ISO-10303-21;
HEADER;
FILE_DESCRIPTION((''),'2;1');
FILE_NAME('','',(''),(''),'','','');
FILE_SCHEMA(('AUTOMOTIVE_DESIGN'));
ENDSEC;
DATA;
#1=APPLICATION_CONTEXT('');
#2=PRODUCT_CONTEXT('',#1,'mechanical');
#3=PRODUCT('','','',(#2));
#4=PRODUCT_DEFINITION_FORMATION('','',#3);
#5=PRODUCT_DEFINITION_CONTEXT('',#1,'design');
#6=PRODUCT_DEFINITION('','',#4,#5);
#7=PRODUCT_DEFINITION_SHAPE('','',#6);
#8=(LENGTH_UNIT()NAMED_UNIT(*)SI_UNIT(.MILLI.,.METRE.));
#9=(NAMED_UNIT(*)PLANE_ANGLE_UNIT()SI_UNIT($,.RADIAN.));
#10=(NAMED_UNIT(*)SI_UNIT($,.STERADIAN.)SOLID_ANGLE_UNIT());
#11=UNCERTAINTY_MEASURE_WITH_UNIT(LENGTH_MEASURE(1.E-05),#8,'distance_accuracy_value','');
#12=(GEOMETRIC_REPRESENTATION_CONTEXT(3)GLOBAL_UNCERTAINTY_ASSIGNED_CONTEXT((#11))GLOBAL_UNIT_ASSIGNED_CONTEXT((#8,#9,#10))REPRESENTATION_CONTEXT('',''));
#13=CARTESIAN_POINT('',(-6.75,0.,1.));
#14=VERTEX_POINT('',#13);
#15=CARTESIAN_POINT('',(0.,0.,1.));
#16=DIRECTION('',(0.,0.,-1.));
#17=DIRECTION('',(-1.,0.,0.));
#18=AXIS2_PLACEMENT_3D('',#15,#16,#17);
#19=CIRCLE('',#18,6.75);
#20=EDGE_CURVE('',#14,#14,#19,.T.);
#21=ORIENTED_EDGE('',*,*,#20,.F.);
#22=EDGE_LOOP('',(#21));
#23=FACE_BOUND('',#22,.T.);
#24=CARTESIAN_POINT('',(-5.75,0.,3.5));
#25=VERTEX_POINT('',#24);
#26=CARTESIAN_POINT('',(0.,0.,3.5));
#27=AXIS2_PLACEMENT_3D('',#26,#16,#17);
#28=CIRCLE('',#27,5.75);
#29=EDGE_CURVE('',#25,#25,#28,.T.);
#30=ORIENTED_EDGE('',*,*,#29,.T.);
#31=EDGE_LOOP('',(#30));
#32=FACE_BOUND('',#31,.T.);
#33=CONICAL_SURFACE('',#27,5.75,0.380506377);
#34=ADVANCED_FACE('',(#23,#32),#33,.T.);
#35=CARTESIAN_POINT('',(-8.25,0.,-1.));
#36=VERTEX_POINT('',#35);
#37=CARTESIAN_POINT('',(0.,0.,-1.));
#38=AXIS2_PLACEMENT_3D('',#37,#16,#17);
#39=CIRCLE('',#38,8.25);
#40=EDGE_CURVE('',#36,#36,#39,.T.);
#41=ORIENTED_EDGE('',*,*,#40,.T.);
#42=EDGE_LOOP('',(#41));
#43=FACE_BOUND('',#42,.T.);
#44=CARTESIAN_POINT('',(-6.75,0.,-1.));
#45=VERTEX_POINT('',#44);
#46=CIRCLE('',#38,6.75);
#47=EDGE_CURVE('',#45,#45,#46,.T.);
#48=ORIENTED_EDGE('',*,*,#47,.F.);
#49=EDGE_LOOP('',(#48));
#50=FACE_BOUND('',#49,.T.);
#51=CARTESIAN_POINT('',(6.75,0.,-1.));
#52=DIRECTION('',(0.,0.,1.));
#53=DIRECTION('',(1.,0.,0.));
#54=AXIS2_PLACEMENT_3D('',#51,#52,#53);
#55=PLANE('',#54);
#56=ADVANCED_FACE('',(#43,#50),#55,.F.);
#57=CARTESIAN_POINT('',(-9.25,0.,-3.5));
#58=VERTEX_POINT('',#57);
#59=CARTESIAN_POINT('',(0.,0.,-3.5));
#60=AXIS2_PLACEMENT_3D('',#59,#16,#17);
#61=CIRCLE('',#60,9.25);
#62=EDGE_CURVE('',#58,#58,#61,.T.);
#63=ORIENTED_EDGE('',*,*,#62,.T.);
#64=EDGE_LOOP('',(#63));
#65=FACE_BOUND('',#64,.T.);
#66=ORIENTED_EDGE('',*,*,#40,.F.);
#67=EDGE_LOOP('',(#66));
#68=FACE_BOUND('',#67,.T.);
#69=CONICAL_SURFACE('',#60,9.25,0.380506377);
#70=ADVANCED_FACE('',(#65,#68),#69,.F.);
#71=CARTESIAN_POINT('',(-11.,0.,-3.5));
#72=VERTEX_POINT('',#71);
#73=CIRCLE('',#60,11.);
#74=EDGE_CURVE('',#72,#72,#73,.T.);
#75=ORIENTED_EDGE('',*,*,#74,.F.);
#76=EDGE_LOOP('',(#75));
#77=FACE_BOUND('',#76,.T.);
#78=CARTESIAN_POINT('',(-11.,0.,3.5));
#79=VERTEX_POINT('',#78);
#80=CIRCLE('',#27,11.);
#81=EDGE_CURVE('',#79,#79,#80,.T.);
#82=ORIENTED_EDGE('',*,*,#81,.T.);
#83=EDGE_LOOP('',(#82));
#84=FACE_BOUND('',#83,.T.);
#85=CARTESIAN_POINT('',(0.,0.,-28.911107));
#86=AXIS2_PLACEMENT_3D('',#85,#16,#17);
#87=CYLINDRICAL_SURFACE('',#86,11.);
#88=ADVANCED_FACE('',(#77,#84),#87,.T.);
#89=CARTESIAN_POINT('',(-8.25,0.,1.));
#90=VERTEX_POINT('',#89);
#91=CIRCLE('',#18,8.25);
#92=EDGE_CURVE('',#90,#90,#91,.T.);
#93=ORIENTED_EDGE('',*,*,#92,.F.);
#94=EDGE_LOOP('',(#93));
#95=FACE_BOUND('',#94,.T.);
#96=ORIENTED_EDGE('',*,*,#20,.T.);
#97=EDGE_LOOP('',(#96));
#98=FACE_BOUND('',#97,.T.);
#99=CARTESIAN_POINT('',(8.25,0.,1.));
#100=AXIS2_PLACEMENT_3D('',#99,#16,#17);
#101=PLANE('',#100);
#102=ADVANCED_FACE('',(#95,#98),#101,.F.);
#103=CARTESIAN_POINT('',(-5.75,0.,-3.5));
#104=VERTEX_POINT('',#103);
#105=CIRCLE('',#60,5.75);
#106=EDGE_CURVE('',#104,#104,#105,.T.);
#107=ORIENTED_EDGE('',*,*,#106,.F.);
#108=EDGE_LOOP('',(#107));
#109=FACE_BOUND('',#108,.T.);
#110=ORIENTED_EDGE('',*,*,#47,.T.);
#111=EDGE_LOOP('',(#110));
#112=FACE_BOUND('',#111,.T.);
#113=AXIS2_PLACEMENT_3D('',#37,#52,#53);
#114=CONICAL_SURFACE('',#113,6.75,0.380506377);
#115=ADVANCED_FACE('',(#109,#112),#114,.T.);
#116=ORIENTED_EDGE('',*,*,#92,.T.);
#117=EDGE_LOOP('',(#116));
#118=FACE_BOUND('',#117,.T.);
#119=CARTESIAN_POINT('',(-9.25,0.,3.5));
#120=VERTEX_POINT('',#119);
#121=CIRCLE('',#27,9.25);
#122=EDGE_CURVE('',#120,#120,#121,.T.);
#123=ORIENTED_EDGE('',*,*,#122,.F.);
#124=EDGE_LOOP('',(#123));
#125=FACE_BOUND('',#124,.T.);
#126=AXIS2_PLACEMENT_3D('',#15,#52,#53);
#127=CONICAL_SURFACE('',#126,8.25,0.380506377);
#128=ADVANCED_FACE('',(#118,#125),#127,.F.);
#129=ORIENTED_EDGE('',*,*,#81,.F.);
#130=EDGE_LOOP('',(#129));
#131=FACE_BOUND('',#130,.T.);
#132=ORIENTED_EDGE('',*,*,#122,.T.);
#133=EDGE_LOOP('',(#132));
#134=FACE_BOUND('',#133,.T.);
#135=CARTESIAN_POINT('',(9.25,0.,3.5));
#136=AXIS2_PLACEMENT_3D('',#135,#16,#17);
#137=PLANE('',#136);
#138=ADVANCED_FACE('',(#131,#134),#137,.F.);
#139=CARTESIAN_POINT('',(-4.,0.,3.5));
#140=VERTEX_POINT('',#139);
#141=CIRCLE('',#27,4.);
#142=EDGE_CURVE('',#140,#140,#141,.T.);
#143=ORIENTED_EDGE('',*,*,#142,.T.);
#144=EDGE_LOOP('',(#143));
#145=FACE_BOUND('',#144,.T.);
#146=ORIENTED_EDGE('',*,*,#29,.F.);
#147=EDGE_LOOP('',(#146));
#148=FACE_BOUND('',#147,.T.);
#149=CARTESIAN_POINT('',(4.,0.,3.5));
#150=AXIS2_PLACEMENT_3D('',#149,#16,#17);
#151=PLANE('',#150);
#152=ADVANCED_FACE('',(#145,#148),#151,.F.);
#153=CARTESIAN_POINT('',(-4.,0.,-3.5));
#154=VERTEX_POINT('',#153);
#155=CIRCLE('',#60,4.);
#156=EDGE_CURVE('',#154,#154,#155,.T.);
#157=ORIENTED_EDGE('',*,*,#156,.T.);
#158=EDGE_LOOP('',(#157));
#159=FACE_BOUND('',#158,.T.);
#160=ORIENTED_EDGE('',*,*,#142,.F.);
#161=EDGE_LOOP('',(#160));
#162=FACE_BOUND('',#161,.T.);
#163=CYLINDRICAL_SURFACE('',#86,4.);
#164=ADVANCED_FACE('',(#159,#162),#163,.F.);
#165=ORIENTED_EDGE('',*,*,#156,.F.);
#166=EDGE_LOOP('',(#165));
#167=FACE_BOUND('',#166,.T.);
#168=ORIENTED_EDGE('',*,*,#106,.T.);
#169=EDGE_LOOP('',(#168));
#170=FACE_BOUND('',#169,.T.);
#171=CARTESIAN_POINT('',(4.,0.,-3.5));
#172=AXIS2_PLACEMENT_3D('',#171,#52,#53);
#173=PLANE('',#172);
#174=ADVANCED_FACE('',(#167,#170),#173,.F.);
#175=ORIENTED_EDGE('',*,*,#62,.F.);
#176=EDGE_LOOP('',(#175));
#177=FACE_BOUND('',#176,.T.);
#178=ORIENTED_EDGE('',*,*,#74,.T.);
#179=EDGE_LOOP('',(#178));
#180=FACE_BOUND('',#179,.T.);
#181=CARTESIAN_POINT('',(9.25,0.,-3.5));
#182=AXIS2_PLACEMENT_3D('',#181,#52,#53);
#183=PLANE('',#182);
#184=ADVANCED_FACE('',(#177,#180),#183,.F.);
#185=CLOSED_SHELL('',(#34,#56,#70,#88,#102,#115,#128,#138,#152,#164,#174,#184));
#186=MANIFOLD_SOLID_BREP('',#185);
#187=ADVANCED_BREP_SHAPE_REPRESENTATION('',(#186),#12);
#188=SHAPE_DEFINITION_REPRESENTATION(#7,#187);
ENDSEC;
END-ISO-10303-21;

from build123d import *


with BuildPart() as part:
    # Sketch1 → Revolve1 (revolve)
    with BuildSketch(Plane(origin=(0, 0, 0), x_dir=(1, 0, 0), z_dir=(0, 1, 0)), mode=Mode.PRIVATE) as revolve1_sk:
        Polygon((5.75, 3.5), (6.75, 1), (8.25, 1), (9.25, 3.5), (11, 3.5), (11, -3.5), (9.25, -3.5), (8.25, -1), (6.75, -1), (5.75, -3.5), (4, -3.5), (4, 3.5), align=None)
    revolve(revolve1_sk.sketch.rotate(Axis((0, 0, -28.911106653), (0, 0, 1)), 180), axis=Axis((0, 0, -28.911106653), (0, 0, 1)))


solid = part.part
